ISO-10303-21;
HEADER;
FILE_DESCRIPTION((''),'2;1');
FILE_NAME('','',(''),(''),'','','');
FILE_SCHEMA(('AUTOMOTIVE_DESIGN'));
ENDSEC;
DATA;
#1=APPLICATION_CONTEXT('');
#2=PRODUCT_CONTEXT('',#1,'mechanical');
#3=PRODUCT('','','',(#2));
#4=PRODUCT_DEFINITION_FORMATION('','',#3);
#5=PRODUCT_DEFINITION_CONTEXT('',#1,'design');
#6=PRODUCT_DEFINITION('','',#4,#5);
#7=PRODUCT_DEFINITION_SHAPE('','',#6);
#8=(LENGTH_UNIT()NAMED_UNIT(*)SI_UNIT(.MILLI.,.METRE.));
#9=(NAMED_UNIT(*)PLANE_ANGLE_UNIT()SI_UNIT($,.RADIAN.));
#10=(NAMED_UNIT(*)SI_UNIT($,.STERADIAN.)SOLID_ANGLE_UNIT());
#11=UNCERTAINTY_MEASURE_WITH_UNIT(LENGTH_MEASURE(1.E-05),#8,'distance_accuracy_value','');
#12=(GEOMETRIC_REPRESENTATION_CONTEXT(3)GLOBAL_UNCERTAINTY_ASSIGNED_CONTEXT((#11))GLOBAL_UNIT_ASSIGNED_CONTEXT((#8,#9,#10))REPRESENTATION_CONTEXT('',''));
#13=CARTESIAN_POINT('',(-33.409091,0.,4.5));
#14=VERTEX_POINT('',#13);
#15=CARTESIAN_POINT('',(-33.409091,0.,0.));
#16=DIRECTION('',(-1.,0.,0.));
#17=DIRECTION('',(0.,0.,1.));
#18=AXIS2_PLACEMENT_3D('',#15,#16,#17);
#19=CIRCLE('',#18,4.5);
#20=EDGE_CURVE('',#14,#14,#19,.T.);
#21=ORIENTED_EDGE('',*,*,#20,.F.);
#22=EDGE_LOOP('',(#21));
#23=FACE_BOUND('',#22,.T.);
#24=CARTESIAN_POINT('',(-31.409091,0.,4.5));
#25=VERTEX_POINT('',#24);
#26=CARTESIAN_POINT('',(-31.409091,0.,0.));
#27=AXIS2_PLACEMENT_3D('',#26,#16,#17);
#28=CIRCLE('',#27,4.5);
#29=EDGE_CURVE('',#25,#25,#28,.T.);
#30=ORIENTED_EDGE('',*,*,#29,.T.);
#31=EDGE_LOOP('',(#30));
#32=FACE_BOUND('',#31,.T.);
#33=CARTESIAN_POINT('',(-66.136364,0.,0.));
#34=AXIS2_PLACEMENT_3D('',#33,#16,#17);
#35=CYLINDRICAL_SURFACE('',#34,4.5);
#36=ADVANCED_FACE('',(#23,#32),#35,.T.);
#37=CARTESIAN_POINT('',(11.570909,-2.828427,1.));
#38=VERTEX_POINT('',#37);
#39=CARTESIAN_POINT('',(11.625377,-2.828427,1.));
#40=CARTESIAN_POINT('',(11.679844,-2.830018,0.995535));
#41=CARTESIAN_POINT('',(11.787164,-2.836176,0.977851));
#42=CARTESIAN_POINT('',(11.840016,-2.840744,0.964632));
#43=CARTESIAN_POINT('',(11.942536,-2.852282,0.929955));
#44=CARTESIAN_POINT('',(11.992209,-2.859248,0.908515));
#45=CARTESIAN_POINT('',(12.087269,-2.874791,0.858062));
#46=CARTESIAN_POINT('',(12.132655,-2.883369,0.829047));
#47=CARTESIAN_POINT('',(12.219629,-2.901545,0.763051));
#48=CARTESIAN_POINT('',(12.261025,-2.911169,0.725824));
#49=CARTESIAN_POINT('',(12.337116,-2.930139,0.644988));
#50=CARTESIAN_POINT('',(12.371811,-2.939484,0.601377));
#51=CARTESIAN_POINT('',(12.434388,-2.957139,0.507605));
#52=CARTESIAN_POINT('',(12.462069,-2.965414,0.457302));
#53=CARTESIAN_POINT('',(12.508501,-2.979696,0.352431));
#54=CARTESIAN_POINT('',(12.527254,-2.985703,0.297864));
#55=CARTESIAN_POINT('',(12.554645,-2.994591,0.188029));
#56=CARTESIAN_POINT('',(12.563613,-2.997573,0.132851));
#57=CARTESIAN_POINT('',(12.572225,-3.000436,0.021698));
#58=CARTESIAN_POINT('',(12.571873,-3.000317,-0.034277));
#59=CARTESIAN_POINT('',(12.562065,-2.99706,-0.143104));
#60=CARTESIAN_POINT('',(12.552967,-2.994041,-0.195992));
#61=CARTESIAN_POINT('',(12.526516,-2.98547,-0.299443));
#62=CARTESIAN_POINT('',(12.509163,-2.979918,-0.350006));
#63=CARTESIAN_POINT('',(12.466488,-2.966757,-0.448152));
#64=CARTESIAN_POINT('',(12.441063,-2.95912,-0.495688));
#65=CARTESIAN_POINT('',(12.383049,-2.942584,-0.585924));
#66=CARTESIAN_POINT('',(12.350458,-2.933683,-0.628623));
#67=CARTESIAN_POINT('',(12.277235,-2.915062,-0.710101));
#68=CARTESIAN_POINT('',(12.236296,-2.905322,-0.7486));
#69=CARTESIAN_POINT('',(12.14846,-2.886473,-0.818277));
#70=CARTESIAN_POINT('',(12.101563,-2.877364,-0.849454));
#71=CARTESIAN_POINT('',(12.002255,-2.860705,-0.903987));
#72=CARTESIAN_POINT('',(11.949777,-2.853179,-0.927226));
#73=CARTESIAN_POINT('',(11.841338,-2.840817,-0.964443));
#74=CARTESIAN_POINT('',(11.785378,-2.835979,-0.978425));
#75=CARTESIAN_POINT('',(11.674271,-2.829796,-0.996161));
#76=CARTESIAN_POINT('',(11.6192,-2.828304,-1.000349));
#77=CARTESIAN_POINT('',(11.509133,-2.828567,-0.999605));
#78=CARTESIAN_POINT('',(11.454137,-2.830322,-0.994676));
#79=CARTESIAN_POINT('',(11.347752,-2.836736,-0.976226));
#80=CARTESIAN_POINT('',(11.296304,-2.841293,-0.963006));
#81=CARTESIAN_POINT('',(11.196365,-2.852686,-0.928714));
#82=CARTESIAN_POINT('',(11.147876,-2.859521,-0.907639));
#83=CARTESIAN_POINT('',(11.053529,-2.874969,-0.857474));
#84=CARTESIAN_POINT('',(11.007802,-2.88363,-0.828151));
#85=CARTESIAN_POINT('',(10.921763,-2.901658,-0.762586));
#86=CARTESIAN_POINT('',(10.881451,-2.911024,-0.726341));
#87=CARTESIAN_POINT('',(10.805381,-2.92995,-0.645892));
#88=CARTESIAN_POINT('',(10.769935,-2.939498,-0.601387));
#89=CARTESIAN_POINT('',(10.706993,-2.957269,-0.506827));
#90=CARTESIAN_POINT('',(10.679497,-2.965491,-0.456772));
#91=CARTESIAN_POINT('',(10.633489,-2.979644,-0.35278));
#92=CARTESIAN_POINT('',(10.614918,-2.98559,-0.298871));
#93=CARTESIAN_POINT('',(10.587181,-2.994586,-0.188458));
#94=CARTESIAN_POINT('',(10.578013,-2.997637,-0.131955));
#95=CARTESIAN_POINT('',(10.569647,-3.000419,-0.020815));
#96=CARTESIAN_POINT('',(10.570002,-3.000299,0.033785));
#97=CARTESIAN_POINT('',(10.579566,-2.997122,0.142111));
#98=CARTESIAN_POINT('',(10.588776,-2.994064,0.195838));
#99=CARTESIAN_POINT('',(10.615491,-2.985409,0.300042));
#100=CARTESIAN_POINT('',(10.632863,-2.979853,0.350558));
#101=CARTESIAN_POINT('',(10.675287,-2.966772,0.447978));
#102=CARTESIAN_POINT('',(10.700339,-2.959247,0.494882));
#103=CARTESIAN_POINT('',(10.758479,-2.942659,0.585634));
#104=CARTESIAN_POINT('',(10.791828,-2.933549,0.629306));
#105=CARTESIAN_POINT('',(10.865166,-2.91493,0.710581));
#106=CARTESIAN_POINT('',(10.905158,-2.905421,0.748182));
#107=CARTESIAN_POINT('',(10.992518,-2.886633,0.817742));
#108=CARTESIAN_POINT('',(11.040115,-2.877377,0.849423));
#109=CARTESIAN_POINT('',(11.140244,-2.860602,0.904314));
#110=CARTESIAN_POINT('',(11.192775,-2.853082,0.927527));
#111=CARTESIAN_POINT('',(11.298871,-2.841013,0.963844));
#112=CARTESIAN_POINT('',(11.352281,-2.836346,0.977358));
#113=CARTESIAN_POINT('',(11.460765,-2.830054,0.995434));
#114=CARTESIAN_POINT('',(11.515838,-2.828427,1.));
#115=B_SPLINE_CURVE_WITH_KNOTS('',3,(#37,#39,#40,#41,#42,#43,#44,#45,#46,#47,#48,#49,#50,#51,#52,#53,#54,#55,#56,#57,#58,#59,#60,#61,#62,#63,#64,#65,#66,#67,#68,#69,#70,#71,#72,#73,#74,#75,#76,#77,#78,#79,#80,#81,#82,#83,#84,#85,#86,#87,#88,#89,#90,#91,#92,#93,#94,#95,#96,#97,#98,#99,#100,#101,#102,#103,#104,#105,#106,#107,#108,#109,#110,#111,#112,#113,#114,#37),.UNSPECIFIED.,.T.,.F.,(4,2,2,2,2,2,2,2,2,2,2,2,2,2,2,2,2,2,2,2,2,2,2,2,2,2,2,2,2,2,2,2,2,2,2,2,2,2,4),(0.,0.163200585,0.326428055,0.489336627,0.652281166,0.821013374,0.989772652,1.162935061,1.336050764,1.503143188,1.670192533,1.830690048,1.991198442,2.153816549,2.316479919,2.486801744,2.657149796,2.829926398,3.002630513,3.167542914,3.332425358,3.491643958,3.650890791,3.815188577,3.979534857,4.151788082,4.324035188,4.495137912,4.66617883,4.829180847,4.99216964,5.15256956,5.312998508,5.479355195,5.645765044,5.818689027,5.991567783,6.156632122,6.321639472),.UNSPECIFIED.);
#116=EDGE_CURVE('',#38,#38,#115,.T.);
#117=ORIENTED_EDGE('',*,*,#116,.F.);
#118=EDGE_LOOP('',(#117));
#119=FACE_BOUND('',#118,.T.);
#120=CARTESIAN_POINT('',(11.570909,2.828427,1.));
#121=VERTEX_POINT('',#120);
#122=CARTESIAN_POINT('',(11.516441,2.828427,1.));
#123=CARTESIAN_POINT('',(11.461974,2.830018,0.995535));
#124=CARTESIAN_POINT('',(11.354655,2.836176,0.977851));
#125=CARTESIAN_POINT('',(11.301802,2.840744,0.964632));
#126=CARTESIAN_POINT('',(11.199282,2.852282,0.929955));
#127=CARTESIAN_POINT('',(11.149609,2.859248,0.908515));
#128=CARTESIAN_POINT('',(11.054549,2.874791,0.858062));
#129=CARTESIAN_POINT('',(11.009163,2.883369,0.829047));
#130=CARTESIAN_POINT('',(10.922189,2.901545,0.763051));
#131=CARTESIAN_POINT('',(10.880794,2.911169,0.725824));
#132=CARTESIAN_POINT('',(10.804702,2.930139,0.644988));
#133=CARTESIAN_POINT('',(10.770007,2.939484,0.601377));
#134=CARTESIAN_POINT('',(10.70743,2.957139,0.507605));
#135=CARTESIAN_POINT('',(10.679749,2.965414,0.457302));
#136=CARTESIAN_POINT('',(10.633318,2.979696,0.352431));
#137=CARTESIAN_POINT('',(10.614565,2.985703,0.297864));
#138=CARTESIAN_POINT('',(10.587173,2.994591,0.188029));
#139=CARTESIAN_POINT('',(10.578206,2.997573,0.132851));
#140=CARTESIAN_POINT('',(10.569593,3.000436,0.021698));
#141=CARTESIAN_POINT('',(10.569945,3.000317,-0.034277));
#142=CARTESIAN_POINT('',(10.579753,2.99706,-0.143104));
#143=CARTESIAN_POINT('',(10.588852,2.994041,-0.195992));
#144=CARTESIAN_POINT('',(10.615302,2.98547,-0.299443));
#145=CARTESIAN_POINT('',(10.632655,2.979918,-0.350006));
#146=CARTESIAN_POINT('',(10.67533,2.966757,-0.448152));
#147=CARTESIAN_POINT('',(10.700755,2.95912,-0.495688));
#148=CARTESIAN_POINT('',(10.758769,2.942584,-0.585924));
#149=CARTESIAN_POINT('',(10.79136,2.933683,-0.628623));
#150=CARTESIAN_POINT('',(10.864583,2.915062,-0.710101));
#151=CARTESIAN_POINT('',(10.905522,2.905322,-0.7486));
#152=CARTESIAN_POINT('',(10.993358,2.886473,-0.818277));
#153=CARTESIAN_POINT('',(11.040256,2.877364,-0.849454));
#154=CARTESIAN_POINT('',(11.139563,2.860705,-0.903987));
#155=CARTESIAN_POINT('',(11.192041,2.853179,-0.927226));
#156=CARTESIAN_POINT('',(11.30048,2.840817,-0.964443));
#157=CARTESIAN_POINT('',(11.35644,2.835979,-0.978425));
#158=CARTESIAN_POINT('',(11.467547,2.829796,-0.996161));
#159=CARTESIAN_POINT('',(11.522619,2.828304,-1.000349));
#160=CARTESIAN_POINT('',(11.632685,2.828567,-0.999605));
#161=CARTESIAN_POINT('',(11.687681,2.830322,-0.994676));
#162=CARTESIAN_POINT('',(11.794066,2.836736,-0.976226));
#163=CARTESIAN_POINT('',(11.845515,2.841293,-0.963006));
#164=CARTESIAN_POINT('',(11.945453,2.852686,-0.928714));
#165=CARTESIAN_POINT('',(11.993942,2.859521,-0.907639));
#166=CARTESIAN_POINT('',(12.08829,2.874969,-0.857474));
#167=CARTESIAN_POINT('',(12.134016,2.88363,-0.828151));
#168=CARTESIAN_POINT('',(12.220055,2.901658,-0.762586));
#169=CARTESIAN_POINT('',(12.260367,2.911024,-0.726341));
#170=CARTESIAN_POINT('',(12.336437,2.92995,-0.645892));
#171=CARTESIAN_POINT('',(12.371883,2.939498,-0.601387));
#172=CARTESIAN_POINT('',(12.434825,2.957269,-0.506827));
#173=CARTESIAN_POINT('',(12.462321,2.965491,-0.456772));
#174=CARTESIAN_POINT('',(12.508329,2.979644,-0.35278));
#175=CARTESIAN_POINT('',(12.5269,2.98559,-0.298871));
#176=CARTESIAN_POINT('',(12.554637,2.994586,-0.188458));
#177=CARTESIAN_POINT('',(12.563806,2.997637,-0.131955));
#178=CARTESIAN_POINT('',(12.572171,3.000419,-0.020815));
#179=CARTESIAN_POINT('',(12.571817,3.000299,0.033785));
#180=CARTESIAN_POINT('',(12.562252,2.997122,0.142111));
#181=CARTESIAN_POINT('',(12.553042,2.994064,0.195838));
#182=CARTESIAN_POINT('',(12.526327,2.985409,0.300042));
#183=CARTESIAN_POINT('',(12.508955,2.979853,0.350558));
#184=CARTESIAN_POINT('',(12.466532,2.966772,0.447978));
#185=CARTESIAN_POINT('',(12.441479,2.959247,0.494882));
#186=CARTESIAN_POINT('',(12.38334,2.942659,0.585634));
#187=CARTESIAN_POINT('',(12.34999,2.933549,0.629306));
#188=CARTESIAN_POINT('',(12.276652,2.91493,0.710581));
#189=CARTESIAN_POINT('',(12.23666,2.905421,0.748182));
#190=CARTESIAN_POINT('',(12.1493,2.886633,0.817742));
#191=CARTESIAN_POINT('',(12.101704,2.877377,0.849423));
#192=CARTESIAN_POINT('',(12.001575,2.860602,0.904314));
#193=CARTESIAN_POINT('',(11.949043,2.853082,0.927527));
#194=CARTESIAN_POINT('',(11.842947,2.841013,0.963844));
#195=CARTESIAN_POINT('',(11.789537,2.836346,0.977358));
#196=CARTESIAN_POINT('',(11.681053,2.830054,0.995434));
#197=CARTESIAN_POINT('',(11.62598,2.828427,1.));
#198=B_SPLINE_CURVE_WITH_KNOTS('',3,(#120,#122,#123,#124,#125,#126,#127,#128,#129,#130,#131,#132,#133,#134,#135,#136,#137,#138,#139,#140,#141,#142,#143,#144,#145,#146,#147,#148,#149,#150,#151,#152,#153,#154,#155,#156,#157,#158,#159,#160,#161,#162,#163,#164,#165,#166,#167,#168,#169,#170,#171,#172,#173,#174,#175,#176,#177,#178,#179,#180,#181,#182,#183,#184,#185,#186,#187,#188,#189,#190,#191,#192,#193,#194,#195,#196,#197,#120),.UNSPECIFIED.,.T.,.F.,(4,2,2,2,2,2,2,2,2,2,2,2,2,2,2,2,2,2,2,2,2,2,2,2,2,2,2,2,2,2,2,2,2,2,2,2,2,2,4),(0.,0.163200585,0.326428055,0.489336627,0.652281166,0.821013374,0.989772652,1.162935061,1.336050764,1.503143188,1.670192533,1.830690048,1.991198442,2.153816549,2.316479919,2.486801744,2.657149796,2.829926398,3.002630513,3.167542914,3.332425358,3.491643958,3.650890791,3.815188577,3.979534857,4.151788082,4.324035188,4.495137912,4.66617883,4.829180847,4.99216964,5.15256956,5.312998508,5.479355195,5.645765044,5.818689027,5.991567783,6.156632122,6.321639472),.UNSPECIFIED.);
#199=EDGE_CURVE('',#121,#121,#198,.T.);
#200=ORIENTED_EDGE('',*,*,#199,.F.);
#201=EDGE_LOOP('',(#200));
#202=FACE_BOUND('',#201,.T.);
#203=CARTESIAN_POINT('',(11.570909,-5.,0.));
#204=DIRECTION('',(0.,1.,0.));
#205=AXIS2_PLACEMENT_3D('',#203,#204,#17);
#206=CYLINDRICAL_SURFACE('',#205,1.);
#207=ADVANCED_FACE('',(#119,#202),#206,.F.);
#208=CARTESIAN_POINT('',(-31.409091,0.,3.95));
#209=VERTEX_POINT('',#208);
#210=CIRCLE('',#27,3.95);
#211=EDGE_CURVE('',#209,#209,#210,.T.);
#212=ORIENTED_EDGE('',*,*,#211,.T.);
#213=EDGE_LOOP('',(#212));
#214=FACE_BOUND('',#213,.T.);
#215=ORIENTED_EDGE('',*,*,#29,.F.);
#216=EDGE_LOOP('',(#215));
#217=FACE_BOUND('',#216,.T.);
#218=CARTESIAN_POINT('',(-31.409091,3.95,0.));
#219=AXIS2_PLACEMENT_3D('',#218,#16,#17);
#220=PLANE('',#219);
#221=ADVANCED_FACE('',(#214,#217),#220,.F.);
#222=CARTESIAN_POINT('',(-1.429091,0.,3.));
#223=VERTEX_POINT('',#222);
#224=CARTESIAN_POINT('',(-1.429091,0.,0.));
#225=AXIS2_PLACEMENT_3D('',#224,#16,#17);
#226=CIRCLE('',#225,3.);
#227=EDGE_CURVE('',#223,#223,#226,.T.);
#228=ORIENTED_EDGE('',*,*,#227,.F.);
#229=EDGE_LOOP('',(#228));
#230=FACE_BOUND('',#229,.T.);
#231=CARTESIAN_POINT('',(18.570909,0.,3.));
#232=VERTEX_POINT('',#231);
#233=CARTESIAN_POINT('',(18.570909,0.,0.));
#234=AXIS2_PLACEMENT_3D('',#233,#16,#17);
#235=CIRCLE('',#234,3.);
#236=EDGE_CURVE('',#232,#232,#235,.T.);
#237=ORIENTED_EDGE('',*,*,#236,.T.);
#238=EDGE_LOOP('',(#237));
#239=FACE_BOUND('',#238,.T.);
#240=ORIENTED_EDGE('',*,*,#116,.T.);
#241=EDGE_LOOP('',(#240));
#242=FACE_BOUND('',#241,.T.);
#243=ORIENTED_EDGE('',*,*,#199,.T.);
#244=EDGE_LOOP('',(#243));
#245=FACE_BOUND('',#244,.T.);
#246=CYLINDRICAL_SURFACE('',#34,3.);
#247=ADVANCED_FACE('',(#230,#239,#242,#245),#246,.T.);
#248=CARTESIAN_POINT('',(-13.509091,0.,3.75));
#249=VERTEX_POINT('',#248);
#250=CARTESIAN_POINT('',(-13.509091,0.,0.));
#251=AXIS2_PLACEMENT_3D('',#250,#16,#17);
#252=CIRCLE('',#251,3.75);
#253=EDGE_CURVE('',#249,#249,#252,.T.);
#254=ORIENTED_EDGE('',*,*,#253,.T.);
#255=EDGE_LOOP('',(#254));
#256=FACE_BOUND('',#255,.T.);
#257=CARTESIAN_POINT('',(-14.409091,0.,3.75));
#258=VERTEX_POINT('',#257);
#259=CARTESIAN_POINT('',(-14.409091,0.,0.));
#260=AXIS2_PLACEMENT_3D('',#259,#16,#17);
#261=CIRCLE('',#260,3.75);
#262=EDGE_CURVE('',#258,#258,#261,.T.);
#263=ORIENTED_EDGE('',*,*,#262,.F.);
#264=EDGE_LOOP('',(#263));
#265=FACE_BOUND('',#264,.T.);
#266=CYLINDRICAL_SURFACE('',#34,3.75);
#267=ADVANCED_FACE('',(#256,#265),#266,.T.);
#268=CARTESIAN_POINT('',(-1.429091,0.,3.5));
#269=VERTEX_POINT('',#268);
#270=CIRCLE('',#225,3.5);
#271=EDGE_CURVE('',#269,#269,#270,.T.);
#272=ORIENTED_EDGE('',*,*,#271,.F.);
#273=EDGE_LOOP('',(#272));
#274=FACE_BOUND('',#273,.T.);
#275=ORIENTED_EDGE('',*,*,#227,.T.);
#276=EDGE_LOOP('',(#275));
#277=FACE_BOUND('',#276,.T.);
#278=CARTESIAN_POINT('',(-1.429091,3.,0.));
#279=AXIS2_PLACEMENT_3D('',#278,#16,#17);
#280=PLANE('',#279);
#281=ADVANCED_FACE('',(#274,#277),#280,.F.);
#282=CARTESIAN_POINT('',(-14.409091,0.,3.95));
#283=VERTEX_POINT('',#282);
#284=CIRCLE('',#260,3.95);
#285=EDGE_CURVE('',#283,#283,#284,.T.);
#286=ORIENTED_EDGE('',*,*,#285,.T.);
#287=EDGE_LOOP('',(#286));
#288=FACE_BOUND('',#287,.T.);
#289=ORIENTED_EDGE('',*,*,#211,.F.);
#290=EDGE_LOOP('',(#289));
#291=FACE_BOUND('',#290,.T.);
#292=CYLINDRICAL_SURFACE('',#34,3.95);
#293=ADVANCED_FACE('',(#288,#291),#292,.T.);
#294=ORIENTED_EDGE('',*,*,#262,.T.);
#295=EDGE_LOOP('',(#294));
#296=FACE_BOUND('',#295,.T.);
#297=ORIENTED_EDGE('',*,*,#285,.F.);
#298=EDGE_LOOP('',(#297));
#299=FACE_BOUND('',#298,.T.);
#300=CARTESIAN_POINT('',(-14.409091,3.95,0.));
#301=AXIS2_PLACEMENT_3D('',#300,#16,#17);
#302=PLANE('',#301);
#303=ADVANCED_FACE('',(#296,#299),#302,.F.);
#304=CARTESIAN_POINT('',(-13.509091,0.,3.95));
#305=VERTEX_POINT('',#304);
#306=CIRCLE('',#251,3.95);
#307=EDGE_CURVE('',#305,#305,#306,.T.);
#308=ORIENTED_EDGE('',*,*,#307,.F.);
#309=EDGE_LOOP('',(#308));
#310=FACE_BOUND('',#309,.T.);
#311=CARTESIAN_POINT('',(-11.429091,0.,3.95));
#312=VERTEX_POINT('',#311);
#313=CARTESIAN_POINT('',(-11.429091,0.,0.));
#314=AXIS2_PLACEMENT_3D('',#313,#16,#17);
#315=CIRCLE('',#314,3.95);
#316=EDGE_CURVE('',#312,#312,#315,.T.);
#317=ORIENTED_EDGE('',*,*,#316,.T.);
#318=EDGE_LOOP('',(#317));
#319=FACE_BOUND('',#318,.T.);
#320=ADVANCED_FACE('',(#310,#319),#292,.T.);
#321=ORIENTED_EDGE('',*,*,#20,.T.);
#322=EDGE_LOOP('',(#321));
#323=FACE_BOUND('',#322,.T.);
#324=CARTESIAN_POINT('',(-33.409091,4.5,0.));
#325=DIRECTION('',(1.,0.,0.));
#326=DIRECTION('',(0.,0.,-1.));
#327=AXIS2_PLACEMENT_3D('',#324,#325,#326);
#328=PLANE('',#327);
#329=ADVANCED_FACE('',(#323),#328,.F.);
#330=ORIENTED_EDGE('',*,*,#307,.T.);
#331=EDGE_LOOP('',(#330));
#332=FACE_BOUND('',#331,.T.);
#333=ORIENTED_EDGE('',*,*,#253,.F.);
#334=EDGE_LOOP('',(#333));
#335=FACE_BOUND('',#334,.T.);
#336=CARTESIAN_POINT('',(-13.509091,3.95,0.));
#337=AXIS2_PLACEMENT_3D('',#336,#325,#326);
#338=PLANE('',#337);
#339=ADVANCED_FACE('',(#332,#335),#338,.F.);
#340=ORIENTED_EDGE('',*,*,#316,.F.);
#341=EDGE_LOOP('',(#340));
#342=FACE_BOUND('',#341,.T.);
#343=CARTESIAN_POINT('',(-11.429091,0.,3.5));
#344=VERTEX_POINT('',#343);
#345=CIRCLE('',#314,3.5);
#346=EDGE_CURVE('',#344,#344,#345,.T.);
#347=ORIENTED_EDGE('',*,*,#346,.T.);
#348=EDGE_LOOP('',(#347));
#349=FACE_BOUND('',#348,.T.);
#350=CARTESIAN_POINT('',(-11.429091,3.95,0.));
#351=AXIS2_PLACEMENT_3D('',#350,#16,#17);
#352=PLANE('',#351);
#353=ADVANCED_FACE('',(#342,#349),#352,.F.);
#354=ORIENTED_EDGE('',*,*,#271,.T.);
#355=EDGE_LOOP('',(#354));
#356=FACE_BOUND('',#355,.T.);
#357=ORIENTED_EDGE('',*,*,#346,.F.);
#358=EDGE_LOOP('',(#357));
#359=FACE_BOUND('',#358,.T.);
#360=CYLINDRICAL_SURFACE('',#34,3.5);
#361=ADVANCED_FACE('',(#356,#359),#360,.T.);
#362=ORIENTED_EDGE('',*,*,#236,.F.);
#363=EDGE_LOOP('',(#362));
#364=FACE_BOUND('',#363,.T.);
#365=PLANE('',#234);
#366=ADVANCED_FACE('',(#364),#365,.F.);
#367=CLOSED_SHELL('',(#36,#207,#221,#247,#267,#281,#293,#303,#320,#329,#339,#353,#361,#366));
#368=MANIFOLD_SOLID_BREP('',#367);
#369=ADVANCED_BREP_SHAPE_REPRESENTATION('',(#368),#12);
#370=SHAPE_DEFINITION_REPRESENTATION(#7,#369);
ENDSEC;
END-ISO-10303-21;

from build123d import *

# Parameters (mm, degrees)
SKETCH_2_R          = 1
CUT_EXTRUDE_1_DEPTH = 5


with BuildPart() as part:
    # 草图1 → 旋转1 (revolve)
    with BuildSketch(Plane.XY):
        Polygon((-33.409090909, 0), (18.570909091, 0), (18.570909091, 3), (-1.429090909, 3), (-1.429090909, 3.5), (-11.429090909, 3.5), (-11.429090909, 3.95), (-13.509090909, 3.95), (-13.509090909, 3.75), (-14.409090909, 3.75), (-14.409090909, 3.95), (-31.409090909, 3.95), (-31.409090909, 4.5), (-33.409090909, 4.5), align=None)
    revolve(axis=Axis((-66.136363636, 0, 0), (1, 0, 0)))

    # 草图2 → 切除-拉伸1 (cut, symmetric)
    with BuildSketch(Plane(origin=(0, 0, 0), x_dir=(1, 0, 0), z_dir=(0, 1, 0))):
        with Locations((11.570909091, 0)):
            Circle(SKETCH_2_R)
    extrude(amount=CUT_EXTRUDE_1_DEPTH, both=True, mode=Mode.SUBTRACT)


solid = part.part
